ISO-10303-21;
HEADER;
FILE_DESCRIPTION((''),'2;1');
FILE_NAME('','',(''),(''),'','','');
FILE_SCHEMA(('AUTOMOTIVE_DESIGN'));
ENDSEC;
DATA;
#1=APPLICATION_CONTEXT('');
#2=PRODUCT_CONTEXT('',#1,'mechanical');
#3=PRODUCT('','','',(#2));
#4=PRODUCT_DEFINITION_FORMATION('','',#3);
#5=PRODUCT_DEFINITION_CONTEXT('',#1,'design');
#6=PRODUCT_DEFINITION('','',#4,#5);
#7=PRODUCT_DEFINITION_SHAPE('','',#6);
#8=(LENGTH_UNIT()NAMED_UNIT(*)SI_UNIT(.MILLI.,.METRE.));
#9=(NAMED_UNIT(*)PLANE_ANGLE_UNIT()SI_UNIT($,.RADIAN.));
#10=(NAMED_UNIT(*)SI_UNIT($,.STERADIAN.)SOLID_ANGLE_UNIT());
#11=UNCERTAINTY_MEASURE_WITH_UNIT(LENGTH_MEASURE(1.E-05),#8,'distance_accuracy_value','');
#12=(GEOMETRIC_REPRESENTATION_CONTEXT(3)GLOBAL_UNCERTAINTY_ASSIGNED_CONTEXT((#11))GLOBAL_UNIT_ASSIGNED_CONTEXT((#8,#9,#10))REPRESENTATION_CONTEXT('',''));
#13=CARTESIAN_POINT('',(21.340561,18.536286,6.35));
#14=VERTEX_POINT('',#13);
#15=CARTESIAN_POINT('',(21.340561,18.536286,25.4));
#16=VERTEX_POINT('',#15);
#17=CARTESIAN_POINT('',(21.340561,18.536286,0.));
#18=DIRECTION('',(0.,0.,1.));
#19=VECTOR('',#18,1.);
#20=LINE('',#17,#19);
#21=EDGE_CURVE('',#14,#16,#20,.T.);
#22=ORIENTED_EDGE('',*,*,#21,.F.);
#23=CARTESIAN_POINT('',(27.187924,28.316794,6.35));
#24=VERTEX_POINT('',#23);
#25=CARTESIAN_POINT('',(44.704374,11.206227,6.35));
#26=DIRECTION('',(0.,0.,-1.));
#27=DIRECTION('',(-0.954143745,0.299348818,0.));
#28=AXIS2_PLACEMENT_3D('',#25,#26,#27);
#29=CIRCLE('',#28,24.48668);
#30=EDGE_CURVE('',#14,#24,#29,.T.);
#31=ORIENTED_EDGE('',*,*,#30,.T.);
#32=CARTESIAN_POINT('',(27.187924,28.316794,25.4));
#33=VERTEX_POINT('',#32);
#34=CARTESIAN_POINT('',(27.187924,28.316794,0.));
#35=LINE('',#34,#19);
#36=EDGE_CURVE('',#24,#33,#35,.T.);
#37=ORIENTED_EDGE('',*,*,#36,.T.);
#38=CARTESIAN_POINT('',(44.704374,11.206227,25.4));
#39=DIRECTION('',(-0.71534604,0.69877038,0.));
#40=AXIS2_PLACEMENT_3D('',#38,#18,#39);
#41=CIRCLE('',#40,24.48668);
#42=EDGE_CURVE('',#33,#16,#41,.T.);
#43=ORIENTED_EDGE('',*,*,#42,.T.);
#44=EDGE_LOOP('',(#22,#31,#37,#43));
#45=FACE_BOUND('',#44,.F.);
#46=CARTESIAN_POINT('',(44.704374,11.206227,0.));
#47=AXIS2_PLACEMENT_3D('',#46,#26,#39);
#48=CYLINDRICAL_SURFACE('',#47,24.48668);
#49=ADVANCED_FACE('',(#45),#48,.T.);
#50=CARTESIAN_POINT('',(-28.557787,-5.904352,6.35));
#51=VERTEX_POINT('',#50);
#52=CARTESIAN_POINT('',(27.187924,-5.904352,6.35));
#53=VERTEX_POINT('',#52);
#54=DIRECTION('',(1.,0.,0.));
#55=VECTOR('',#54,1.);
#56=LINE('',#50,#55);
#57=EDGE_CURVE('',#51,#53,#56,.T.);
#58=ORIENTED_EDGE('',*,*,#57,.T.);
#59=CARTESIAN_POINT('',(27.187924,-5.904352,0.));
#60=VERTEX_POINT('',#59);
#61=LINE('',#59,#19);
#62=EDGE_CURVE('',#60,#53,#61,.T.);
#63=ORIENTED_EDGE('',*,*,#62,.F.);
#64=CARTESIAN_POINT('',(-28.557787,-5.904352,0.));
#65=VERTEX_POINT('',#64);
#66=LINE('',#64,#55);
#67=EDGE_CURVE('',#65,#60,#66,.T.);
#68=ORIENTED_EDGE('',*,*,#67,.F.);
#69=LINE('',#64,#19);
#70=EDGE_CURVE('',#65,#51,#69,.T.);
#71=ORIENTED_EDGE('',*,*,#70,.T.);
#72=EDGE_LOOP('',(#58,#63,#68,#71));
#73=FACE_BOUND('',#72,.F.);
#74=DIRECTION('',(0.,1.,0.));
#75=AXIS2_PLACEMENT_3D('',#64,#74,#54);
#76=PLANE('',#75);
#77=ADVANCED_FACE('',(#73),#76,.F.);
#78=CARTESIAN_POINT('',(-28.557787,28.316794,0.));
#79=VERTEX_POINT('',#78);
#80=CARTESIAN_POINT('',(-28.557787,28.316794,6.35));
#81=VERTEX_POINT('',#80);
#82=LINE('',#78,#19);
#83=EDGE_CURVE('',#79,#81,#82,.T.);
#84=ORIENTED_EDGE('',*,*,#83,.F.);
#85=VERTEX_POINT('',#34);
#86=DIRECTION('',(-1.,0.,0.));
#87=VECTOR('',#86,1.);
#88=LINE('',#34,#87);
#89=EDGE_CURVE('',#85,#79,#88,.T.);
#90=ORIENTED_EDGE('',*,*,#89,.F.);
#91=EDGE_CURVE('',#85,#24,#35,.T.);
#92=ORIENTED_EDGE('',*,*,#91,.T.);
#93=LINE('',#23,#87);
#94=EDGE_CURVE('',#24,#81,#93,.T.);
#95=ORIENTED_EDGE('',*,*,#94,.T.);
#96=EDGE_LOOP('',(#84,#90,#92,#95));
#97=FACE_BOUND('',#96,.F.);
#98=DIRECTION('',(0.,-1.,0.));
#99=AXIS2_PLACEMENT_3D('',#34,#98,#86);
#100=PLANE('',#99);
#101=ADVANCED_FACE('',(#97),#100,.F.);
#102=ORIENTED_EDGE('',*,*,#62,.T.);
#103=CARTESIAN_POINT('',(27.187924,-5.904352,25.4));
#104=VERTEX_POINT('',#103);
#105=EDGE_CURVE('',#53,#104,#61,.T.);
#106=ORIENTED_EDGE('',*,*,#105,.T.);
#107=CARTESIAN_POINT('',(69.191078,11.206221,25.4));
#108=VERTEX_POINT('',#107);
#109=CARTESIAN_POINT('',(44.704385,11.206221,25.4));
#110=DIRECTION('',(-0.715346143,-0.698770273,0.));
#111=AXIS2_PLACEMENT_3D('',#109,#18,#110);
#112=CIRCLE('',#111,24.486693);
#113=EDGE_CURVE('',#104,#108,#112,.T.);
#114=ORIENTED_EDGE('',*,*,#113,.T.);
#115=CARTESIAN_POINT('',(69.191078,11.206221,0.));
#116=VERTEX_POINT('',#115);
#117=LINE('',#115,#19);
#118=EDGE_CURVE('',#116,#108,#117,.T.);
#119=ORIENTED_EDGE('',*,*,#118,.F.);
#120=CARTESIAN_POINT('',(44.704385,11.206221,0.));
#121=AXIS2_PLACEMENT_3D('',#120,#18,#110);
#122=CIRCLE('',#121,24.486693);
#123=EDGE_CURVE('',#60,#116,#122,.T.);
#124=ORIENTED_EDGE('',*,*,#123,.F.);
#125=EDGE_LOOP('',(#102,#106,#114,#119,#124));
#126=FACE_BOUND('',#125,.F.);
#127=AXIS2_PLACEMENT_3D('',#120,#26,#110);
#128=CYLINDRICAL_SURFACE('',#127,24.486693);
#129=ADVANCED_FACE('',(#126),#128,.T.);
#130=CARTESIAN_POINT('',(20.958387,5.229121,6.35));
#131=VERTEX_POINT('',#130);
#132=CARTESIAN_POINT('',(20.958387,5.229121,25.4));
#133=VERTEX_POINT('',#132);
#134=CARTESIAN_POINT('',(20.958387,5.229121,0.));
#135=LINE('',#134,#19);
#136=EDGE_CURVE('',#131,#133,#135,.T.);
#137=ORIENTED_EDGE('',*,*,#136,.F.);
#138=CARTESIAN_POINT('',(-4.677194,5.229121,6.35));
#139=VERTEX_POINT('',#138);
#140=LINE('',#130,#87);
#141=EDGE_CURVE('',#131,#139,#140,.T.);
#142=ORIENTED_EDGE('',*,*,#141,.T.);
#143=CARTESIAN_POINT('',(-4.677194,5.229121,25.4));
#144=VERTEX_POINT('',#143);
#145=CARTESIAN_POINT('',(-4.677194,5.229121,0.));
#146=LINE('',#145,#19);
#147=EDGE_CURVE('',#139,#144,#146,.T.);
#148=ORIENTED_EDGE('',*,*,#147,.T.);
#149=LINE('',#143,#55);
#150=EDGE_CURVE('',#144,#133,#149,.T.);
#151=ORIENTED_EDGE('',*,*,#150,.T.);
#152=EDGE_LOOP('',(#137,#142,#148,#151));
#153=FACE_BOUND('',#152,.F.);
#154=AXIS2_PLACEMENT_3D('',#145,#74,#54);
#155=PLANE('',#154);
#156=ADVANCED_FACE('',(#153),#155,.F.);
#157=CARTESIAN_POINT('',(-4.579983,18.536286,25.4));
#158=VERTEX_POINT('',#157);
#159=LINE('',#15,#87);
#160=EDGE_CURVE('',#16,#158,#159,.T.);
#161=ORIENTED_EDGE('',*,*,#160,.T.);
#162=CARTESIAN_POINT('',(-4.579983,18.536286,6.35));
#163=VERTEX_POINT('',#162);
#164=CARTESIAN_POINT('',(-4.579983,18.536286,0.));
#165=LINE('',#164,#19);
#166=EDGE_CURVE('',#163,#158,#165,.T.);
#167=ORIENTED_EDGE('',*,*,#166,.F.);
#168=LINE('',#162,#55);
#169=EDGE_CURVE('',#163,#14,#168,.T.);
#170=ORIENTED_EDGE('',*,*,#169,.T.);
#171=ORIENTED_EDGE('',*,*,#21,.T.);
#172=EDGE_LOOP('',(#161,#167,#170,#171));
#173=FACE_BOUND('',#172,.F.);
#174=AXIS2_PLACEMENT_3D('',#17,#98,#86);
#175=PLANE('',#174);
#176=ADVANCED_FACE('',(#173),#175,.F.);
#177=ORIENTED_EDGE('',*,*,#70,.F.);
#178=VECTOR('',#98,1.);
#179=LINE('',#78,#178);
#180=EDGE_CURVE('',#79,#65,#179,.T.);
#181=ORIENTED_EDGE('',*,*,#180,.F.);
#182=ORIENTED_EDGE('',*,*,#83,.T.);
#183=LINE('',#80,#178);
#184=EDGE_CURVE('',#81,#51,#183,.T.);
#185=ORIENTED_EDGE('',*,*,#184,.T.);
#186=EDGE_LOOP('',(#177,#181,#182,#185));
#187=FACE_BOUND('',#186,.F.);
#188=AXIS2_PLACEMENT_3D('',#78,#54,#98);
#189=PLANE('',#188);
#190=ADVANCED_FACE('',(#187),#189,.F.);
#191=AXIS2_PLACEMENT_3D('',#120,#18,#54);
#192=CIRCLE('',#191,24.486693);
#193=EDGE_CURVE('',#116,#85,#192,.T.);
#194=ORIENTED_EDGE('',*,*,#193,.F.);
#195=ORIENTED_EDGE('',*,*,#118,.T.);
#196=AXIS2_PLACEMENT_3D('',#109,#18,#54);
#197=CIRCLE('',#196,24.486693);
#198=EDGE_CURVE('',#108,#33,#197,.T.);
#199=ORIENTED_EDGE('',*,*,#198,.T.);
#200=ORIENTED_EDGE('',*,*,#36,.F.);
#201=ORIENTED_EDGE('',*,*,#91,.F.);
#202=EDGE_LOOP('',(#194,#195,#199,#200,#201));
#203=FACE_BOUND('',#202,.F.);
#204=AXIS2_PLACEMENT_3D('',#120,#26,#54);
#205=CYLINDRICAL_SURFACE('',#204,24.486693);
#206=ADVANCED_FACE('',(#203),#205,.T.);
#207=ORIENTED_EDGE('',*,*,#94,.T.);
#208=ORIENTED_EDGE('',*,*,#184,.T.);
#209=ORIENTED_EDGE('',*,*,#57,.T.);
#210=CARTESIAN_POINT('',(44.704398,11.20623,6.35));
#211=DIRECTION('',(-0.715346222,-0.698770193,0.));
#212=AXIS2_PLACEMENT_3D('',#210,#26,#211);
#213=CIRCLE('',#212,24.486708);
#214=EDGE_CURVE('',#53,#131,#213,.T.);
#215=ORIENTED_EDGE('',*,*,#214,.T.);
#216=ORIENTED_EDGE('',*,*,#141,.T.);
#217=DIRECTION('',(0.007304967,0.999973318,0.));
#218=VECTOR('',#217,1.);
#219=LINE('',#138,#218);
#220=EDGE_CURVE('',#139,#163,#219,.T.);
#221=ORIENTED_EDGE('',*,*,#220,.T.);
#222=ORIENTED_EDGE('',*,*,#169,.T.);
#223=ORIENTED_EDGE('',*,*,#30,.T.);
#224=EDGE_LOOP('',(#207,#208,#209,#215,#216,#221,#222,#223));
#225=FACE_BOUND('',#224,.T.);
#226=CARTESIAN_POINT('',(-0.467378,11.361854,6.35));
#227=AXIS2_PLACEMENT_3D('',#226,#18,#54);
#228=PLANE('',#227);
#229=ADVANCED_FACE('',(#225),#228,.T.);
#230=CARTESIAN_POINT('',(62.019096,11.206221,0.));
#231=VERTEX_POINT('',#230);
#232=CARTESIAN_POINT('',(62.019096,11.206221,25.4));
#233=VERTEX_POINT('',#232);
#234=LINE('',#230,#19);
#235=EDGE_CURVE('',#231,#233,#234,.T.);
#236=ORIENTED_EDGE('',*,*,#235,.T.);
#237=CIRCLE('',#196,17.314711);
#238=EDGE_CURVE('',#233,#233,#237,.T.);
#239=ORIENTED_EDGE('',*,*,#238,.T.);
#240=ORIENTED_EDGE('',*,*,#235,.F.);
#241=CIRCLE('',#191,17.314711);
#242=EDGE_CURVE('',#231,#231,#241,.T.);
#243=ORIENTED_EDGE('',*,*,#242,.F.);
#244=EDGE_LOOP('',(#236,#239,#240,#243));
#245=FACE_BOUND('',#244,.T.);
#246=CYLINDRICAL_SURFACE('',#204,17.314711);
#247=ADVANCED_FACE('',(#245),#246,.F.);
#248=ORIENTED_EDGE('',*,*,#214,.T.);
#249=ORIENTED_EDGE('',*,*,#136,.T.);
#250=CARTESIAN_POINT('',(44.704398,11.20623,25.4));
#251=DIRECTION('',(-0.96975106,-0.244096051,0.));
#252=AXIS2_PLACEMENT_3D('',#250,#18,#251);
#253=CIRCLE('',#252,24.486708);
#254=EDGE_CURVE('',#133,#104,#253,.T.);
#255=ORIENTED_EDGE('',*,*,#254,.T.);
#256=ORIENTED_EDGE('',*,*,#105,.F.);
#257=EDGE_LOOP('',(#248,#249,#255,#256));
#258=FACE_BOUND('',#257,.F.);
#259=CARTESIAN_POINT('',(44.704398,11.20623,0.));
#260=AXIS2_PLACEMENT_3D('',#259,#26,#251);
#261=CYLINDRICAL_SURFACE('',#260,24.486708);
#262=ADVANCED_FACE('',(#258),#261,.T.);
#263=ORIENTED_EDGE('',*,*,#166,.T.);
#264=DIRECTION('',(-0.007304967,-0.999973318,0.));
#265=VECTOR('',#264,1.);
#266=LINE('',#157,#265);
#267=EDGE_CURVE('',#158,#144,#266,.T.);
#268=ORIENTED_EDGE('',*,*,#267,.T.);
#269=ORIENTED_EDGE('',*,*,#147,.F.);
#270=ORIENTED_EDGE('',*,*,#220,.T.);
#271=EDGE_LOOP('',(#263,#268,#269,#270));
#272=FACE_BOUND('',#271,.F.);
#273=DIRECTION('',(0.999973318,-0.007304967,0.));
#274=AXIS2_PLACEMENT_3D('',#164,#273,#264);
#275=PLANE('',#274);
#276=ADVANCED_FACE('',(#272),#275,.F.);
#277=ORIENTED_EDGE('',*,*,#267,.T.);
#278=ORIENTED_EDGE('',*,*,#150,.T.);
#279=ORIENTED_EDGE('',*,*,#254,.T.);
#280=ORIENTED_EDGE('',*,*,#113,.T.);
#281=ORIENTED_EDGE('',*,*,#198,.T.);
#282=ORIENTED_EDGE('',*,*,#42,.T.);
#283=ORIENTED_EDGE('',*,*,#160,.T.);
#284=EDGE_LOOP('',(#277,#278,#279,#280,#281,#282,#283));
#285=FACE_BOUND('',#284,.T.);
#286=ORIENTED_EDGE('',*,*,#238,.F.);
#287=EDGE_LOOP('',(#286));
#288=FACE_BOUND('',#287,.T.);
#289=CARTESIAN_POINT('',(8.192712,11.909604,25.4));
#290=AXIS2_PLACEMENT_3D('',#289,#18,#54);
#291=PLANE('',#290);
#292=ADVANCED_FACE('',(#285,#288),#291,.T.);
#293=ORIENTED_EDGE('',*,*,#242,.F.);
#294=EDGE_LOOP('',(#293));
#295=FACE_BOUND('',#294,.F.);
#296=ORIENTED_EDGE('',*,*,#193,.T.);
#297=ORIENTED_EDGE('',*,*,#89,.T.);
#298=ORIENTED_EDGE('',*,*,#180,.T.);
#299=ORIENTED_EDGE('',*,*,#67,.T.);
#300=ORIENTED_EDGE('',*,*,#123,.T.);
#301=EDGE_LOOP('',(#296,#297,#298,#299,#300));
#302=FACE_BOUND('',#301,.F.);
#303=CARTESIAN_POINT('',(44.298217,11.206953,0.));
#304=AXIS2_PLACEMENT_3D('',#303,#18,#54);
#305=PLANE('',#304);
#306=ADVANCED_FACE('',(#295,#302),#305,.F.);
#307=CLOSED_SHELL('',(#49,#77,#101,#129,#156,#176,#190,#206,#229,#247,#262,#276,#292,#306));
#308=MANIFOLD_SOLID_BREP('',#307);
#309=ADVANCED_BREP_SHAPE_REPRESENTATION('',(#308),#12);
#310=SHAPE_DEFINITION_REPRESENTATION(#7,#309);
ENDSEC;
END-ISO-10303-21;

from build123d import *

# Parameters (mm, degrees)
F1_DEPTH = 6.35
F0_R     = 17.314711
F2_DEPTH = 25.4
F3_DEPTH = 25.4


with BuildPart() as f1:
    # F0 (on Top) → F1 (new body)
    with BuildSketch(Plane.XY):
        with BuildLine():
            Line((-28.557787, 28.316794), (-28.557787, -5.904352))
            Line((-28.557787, -5.904352), (27.187924, -5.904352))
            ThreePointArc((27.187924, -5.904352), (23.335338, -0.750448), (20.958387, 5.229121))
            Line((20.958387, 5.229121), (-4.677194, 5.229121))
            Line((-4.677194, 5.229121), (-4.579983, 18.536286))
            Line((-4.579983, 18.536286), (21.340561, 18.536286))
            ThreePointArc((21.340561, 18.536286), (23.687391, 23.771415), (27.187924, 28.316794))
            Line((27.187924, 28.316794), (-28.557787, 28.316794))
        make_face()
    extrude(amount=F1_DEPTH)

    # F0 (on Top) → F2 (join)
    with BuildSketch(Plane.XY):
        with BuildLine():
            ThreePointArc((20.958387, 5.229121), (23.335338, -0.750448), (27.187924, -5.904352))
            ThreePointArc((27.187924, -5.904352), (53.942294, -11.471062), (69.191078, 11.206221))
            ThreePointArc((69.191078, 11.206221), (53.942294, 33.883504), (27.187924, 28.316794))
            ThreePointArc((27.187924, 28.316794), (23.687391, 23.771415), (21.340561, 18.536286))
            ThreePointArc((21.340561, 18.536286), (20.227784, 11.909174), (20.958387, 5.229121))
        make_face()
        with Locations((44.704385, 11.206221)):
            Circle(F0_R, mode=Mode.SUBTRACT)
    extrude(amount=F2_DEPTH)

    # F0 (on Top) → F3 (join)
    with BuildSketch(Plane.XY):
        with BuildLine():
            Line((-4.677194, 5.229121), (20.958387, 5.229121))
            ThreePointArc((20.958387, 5.229121), (20.227784, 11.909174), (21.340561, 18.536286))
            Line((21.340561, 18.536286), (-4.579983, 18.536286))
            Line((-4.579983, 18.536286), (-4.677194, 5.229121))
        make_face()
    extrude(amount=F3_DEPTH)


solid = f1.part
